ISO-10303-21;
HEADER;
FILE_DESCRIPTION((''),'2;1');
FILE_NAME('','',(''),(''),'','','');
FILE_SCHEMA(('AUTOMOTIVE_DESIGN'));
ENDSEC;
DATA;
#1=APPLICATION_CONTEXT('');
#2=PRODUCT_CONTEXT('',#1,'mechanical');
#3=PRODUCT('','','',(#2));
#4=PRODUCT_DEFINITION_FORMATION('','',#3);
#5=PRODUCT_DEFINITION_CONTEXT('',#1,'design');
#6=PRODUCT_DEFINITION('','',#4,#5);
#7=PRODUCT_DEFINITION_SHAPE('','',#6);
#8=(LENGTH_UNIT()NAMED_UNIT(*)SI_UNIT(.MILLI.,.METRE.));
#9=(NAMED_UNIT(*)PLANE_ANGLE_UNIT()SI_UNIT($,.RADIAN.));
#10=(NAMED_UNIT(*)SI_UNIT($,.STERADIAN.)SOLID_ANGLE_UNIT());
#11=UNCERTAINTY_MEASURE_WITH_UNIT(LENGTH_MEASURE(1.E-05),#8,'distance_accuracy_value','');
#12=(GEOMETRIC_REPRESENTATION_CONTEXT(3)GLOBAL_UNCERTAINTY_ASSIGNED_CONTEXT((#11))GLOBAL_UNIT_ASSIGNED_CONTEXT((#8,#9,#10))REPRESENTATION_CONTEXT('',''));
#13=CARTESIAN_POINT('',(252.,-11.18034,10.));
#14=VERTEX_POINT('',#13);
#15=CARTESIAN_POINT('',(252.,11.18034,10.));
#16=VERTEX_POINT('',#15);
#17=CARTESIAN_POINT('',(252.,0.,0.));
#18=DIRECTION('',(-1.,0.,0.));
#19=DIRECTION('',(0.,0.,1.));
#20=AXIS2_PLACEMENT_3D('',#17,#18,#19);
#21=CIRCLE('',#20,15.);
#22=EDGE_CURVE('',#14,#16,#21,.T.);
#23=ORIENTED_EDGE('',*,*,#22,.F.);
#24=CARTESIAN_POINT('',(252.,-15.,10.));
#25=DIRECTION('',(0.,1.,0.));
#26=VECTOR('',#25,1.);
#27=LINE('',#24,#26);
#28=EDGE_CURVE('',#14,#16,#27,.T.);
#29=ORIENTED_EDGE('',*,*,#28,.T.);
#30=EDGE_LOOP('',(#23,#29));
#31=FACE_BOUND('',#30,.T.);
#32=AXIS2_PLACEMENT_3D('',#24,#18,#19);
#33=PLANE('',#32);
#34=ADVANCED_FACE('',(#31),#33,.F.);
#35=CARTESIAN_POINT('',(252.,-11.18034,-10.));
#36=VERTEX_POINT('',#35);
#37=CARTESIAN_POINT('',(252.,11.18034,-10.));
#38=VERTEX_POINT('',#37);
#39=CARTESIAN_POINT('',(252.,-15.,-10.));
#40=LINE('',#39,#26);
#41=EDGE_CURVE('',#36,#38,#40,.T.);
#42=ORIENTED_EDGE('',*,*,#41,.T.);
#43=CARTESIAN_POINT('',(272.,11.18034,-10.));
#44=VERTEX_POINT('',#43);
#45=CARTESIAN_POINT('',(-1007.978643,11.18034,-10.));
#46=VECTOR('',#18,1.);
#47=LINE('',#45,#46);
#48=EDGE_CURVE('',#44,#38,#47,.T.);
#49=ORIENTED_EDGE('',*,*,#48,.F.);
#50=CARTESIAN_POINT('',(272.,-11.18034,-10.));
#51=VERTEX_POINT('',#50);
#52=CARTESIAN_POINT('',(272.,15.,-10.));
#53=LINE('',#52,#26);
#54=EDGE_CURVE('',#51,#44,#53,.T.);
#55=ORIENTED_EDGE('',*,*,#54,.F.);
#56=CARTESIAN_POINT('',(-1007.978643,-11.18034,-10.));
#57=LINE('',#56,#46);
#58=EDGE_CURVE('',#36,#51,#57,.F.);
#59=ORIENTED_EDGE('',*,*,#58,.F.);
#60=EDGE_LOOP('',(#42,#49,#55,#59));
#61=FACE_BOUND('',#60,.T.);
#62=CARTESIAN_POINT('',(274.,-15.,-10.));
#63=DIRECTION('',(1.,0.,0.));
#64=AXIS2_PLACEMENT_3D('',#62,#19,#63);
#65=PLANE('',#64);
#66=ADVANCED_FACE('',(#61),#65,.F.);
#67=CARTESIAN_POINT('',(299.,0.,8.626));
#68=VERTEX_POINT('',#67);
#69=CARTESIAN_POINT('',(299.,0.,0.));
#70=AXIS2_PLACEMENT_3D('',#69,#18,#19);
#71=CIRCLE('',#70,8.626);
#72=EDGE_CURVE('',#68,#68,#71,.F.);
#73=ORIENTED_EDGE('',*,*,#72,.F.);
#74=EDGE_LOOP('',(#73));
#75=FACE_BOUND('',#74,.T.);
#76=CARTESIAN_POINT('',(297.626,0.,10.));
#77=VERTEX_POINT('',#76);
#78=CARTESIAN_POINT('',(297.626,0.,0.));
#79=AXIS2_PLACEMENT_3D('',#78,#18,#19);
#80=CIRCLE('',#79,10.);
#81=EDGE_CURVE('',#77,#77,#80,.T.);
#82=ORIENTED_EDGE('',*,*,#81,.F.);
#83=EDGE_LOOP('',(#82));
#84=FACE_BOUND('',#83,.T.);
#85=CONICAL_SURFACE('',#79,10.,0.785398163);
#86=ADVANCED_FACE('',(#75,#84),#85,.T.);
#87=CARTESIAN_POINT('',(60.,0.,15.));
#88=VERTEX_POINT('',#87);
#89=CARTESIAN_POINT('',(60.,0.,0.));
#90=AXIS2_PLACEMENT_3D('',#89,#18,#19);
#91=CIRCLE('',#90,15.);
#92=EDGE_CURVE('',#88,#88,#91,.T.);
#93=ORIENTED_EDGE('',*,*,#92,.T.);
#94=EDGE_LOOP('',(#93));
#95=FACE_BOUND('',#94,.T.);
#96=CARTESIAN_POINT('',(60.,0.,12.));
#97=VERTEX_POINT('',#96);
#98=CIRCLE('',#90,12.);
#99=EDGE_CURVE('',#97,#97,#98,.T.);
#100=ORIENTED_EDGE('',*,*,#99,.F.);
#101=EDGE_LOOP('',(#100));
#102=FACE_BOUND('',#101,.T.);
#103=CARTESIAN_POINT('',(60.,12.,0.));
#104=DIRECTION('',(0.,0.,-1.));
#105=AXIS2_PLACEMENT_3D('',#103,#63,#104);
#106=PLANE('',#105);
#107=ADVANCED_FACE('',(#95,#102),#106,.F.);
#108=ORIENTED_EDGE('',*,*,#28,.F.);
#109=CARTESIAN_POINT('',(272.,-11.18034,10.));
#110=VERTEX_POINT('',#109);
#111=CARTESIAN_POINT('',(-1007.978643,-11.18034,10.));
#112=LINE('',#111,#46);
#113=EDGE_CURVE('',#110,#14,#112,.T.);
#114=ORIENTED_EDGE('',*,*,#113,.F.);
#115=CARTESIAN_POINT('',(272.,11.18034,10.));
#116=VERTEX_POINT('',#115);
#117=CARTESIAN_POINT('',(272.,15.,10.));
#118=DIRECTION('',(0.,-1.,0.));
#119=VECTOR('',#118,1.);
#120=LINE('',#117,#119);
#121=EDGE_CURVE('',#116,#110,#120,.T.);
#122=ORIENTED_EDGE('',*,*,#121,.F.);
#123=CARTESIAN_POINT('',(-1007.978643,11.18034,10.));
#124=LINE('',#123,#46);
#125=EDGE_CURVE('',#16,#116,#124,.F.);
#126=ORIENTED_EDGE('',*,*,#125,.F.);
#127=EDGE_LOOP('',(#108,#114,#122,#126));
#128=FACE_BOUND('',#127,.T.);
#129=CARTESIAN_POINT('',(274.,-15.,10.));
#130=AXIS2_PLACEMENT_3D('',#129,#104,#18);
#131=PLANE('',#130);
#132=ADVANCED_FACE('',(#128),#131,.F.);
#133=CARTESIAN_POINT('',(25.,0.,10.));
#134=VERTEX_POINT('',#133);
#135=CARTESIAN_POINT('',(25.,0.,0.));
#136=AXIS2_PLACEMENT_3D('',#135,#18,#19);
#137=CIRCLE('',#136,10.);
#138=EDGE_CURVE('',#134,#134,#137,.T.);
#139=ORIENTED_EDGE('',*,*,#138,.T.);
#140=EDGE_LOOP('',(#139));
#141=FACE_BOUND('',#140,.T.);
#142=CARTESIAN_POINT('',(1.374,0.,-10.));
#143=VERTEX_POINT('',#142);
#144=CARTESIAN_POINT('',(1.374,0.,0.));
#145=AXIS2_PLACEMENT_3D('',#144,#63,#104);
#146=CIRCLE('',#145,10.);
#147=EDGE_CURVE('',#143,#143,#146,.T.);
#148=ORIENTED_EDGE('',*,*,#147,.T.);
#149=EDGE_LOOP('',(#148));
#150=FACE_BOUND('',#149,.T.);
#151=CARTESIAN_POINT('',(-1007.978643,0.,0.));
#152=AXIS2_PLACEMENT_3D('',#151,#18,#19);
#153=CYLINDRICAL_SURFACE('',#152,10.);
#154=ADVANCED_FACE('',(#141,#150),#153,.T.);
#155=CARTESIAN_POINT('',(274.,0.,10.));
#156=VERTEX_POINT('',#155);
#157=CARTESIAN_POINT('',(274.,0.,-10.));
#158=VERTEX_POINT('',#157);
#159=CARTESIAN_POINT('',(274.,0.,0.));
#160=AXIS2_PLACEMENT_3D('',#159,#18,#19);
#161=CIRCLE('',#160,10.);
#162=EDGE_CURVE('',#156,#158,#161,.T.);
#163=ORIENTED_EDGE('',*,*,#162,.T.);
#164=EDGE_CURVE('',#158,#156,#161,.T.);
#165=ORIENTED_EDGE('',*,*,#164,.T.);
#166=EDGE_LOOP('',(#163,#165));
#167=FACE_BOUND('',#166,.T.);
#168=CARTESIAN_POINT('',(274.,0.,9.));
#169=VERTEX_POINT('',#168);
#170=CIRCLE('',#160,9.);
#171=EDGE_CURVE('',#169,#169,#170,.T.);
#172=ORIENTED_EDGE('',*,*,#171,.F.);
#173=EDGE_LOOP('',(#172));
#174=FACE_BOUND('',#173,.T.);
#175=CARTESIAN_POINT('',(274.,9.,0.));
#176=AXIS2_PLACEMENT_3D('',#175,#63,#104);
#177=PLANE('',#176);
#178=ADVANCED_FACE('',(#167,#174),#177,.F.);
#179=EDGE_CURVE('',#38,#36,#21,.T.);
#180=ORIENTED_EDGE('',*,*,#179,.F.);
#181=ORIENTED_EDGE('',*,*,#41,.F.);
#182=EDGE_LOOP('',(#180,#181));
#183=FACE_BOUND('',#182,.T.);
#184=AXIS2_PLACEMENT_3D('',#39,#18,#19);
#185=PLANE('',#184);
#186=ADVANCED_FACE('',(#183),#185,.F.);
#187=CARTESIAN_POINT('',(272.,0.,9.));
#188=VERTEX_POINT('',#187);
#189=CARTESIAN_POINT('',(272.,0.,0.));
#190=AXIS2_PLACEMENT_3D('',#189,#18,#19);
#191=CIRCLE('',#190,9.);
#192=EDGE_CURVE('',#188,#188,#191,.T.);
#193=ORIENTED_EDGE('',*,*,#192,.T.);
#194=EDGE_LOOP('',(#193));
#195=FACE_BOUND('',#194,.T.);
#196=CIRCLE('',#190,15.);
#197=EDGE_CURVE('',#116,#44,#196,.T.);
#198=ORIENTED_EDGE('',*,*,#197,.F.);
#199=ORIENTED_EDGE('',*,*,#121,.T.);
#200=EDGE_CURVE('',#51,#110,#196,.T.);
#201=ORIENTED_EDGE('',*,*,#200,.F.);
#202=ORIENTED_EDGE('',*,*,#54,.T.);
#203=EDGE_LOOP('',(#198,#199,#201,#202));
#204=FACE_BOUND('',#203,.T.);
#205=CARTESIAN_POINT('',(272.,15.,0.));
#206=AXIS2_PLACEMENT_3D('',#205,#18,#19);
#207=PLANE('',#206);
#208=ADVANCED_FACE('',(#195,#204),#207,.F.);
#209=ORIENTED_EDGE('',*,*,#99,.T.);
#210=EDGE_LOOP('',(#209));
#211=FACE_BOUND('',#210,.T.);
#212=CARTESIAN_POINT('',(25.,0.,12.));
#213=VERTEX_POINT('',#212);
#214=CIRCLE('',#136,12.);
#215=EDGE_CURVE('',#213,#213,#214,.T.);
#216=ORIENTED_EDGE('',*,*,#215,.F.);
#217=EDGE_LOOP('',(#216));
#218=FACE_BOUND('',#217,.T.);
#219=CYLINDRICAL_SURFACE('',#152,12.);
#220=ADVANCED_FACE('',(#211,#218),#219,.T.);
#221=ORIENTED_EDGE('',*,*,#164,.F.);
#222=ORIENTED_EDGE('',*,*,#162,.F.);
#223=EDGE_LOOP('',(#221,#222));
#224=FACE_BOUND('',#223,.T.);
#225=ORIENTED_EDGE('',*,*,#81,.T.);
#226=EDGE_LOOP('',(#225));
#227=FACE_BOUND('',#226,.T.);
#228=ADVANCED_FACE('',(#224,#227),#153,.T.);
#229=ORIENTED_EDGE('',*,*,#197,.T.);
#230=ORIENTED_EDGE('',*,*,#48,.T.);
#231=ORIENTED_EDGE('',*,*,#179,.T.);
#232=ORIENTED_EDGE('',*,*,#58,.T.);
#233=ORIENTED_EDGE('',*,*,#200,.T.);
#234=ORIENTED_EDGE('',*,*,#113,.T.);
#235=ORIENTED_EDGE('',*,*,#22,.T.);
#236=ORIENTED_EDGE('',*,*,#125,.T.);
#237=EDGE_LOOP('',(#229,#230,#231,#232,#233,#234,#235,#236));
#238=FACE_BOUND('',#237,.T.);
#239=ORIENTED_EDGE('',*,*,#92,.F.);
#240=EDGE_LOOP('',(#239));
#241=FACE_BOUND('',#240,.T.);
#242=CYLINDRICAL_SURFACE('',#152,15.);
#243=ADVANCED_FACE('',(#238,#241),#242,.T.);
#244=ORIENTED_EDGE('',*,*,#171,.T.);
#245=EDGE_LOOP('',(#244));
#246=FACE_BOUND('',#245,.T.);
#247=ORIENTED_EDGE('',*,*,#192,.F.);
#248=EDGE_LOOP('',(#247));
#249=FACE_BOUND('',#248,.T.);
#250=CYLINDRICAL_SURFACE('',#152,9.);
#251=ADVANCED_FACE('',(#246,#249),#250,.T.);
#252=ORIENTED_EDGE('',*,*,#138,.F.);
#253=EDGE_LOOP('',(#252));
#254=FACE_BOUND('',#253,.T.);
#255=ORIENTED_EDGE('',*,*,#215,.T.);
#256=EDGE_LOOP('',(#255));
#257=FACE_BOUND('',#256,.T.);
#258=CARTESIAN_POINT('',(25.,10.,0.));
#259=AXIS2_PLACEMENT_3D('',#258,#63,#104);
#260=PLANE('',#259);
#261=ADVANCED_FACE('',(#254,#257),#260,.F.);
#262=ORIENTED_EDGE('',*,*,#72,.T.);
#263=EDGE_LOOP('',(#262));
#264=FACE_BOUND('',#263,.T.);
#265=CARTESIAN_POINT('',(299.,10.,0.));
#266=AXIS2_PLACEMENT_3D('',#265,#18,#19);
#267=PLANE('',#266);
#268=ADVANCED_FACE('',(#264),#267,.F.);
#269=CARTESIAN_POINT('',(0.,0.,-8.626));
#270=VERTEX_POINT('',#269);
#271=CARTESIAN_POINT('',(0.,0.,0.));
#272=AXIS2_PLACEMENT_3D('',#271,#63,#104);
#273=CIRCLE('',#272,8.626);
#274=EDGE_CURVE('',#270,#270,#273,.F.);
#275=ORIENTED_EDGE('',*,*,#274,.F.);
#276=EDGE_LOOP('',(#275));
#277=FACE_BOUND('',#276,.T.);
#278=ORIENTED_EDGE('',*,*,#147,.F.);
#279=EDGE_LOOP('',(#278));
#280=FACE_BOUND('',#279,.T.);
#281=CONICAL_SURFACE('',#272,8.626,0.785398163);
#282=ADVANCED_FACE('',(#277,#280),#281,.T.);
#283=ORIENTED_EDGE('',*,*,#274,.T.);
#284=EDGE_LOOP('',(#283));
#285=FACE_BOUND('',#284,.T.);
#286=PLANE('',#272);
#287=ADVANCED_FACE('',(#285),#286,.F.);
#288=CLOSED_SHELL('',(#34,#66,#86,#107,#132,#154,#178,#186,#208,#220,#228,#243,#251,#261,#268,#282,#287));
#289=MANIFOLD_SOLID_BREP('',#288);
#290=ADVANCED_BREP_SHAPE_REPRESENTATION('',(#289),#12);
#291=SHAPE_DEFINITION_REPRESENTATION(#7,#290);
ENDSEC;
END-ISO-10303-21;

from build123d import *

# Parameters (mm, degrees)
CHAMFER_1_SIZE      = 1.374
SKETCH_2_W          = 22
SKETCH_2_H          = 5
CUT_EXTRUDE_1_DEPTH = 15


with BuildPart() as part:
    # Эскиз1 → Повернуть1 (revolve)
    with BuildSketch(Plane.XY, mode=Mode.PRIVATE) as revolve_1_sk:
        Polygon((0, 0), (299, 0), (299, 10), (274, 10), (274, 9), (272, 9), (272, 15), (60, 15), (60, 12), (25, 12), (25, 10), (0, 10), align=None)
    revolve(revolve_1_sk.sketch.rotate(Axis((-1007.978642663, 0, 0), (1, 0, 0)), 90), axis=Axis((-1007.978642663, 0, 0), (1, 0, 0)))

    # Фаска1
    chamfer_1_edges = [part.edges().sort_by_distance(p)[0] for p in [
        (0, 0, -10),
        (299, 0, -10),
    ]]
    chamfer(chamfer_1_edges, length=CHAMFER_1_SIZE)

    # Эскиз2 → Вырез-Вытянуть1 (cut, symmetric)
    with BuildSketch(Plane(origin=(0, 0, 0), x_dir=(1, 0, 0), z_dir=(0, 1, 0))):
        with Locations((263, 12.5)):
            Rectangle(SKETCH_2_W, SKETCH_2_H)
        with Locations((263, -12.5)):
            Rectangle(SKETCH_2_W, SKETCH_2_H)
    extrude(amount=CUT_EXTRUDE_1_DEPTH, both=True, mode=Mode.SUBTRACT)


solid = part.part
